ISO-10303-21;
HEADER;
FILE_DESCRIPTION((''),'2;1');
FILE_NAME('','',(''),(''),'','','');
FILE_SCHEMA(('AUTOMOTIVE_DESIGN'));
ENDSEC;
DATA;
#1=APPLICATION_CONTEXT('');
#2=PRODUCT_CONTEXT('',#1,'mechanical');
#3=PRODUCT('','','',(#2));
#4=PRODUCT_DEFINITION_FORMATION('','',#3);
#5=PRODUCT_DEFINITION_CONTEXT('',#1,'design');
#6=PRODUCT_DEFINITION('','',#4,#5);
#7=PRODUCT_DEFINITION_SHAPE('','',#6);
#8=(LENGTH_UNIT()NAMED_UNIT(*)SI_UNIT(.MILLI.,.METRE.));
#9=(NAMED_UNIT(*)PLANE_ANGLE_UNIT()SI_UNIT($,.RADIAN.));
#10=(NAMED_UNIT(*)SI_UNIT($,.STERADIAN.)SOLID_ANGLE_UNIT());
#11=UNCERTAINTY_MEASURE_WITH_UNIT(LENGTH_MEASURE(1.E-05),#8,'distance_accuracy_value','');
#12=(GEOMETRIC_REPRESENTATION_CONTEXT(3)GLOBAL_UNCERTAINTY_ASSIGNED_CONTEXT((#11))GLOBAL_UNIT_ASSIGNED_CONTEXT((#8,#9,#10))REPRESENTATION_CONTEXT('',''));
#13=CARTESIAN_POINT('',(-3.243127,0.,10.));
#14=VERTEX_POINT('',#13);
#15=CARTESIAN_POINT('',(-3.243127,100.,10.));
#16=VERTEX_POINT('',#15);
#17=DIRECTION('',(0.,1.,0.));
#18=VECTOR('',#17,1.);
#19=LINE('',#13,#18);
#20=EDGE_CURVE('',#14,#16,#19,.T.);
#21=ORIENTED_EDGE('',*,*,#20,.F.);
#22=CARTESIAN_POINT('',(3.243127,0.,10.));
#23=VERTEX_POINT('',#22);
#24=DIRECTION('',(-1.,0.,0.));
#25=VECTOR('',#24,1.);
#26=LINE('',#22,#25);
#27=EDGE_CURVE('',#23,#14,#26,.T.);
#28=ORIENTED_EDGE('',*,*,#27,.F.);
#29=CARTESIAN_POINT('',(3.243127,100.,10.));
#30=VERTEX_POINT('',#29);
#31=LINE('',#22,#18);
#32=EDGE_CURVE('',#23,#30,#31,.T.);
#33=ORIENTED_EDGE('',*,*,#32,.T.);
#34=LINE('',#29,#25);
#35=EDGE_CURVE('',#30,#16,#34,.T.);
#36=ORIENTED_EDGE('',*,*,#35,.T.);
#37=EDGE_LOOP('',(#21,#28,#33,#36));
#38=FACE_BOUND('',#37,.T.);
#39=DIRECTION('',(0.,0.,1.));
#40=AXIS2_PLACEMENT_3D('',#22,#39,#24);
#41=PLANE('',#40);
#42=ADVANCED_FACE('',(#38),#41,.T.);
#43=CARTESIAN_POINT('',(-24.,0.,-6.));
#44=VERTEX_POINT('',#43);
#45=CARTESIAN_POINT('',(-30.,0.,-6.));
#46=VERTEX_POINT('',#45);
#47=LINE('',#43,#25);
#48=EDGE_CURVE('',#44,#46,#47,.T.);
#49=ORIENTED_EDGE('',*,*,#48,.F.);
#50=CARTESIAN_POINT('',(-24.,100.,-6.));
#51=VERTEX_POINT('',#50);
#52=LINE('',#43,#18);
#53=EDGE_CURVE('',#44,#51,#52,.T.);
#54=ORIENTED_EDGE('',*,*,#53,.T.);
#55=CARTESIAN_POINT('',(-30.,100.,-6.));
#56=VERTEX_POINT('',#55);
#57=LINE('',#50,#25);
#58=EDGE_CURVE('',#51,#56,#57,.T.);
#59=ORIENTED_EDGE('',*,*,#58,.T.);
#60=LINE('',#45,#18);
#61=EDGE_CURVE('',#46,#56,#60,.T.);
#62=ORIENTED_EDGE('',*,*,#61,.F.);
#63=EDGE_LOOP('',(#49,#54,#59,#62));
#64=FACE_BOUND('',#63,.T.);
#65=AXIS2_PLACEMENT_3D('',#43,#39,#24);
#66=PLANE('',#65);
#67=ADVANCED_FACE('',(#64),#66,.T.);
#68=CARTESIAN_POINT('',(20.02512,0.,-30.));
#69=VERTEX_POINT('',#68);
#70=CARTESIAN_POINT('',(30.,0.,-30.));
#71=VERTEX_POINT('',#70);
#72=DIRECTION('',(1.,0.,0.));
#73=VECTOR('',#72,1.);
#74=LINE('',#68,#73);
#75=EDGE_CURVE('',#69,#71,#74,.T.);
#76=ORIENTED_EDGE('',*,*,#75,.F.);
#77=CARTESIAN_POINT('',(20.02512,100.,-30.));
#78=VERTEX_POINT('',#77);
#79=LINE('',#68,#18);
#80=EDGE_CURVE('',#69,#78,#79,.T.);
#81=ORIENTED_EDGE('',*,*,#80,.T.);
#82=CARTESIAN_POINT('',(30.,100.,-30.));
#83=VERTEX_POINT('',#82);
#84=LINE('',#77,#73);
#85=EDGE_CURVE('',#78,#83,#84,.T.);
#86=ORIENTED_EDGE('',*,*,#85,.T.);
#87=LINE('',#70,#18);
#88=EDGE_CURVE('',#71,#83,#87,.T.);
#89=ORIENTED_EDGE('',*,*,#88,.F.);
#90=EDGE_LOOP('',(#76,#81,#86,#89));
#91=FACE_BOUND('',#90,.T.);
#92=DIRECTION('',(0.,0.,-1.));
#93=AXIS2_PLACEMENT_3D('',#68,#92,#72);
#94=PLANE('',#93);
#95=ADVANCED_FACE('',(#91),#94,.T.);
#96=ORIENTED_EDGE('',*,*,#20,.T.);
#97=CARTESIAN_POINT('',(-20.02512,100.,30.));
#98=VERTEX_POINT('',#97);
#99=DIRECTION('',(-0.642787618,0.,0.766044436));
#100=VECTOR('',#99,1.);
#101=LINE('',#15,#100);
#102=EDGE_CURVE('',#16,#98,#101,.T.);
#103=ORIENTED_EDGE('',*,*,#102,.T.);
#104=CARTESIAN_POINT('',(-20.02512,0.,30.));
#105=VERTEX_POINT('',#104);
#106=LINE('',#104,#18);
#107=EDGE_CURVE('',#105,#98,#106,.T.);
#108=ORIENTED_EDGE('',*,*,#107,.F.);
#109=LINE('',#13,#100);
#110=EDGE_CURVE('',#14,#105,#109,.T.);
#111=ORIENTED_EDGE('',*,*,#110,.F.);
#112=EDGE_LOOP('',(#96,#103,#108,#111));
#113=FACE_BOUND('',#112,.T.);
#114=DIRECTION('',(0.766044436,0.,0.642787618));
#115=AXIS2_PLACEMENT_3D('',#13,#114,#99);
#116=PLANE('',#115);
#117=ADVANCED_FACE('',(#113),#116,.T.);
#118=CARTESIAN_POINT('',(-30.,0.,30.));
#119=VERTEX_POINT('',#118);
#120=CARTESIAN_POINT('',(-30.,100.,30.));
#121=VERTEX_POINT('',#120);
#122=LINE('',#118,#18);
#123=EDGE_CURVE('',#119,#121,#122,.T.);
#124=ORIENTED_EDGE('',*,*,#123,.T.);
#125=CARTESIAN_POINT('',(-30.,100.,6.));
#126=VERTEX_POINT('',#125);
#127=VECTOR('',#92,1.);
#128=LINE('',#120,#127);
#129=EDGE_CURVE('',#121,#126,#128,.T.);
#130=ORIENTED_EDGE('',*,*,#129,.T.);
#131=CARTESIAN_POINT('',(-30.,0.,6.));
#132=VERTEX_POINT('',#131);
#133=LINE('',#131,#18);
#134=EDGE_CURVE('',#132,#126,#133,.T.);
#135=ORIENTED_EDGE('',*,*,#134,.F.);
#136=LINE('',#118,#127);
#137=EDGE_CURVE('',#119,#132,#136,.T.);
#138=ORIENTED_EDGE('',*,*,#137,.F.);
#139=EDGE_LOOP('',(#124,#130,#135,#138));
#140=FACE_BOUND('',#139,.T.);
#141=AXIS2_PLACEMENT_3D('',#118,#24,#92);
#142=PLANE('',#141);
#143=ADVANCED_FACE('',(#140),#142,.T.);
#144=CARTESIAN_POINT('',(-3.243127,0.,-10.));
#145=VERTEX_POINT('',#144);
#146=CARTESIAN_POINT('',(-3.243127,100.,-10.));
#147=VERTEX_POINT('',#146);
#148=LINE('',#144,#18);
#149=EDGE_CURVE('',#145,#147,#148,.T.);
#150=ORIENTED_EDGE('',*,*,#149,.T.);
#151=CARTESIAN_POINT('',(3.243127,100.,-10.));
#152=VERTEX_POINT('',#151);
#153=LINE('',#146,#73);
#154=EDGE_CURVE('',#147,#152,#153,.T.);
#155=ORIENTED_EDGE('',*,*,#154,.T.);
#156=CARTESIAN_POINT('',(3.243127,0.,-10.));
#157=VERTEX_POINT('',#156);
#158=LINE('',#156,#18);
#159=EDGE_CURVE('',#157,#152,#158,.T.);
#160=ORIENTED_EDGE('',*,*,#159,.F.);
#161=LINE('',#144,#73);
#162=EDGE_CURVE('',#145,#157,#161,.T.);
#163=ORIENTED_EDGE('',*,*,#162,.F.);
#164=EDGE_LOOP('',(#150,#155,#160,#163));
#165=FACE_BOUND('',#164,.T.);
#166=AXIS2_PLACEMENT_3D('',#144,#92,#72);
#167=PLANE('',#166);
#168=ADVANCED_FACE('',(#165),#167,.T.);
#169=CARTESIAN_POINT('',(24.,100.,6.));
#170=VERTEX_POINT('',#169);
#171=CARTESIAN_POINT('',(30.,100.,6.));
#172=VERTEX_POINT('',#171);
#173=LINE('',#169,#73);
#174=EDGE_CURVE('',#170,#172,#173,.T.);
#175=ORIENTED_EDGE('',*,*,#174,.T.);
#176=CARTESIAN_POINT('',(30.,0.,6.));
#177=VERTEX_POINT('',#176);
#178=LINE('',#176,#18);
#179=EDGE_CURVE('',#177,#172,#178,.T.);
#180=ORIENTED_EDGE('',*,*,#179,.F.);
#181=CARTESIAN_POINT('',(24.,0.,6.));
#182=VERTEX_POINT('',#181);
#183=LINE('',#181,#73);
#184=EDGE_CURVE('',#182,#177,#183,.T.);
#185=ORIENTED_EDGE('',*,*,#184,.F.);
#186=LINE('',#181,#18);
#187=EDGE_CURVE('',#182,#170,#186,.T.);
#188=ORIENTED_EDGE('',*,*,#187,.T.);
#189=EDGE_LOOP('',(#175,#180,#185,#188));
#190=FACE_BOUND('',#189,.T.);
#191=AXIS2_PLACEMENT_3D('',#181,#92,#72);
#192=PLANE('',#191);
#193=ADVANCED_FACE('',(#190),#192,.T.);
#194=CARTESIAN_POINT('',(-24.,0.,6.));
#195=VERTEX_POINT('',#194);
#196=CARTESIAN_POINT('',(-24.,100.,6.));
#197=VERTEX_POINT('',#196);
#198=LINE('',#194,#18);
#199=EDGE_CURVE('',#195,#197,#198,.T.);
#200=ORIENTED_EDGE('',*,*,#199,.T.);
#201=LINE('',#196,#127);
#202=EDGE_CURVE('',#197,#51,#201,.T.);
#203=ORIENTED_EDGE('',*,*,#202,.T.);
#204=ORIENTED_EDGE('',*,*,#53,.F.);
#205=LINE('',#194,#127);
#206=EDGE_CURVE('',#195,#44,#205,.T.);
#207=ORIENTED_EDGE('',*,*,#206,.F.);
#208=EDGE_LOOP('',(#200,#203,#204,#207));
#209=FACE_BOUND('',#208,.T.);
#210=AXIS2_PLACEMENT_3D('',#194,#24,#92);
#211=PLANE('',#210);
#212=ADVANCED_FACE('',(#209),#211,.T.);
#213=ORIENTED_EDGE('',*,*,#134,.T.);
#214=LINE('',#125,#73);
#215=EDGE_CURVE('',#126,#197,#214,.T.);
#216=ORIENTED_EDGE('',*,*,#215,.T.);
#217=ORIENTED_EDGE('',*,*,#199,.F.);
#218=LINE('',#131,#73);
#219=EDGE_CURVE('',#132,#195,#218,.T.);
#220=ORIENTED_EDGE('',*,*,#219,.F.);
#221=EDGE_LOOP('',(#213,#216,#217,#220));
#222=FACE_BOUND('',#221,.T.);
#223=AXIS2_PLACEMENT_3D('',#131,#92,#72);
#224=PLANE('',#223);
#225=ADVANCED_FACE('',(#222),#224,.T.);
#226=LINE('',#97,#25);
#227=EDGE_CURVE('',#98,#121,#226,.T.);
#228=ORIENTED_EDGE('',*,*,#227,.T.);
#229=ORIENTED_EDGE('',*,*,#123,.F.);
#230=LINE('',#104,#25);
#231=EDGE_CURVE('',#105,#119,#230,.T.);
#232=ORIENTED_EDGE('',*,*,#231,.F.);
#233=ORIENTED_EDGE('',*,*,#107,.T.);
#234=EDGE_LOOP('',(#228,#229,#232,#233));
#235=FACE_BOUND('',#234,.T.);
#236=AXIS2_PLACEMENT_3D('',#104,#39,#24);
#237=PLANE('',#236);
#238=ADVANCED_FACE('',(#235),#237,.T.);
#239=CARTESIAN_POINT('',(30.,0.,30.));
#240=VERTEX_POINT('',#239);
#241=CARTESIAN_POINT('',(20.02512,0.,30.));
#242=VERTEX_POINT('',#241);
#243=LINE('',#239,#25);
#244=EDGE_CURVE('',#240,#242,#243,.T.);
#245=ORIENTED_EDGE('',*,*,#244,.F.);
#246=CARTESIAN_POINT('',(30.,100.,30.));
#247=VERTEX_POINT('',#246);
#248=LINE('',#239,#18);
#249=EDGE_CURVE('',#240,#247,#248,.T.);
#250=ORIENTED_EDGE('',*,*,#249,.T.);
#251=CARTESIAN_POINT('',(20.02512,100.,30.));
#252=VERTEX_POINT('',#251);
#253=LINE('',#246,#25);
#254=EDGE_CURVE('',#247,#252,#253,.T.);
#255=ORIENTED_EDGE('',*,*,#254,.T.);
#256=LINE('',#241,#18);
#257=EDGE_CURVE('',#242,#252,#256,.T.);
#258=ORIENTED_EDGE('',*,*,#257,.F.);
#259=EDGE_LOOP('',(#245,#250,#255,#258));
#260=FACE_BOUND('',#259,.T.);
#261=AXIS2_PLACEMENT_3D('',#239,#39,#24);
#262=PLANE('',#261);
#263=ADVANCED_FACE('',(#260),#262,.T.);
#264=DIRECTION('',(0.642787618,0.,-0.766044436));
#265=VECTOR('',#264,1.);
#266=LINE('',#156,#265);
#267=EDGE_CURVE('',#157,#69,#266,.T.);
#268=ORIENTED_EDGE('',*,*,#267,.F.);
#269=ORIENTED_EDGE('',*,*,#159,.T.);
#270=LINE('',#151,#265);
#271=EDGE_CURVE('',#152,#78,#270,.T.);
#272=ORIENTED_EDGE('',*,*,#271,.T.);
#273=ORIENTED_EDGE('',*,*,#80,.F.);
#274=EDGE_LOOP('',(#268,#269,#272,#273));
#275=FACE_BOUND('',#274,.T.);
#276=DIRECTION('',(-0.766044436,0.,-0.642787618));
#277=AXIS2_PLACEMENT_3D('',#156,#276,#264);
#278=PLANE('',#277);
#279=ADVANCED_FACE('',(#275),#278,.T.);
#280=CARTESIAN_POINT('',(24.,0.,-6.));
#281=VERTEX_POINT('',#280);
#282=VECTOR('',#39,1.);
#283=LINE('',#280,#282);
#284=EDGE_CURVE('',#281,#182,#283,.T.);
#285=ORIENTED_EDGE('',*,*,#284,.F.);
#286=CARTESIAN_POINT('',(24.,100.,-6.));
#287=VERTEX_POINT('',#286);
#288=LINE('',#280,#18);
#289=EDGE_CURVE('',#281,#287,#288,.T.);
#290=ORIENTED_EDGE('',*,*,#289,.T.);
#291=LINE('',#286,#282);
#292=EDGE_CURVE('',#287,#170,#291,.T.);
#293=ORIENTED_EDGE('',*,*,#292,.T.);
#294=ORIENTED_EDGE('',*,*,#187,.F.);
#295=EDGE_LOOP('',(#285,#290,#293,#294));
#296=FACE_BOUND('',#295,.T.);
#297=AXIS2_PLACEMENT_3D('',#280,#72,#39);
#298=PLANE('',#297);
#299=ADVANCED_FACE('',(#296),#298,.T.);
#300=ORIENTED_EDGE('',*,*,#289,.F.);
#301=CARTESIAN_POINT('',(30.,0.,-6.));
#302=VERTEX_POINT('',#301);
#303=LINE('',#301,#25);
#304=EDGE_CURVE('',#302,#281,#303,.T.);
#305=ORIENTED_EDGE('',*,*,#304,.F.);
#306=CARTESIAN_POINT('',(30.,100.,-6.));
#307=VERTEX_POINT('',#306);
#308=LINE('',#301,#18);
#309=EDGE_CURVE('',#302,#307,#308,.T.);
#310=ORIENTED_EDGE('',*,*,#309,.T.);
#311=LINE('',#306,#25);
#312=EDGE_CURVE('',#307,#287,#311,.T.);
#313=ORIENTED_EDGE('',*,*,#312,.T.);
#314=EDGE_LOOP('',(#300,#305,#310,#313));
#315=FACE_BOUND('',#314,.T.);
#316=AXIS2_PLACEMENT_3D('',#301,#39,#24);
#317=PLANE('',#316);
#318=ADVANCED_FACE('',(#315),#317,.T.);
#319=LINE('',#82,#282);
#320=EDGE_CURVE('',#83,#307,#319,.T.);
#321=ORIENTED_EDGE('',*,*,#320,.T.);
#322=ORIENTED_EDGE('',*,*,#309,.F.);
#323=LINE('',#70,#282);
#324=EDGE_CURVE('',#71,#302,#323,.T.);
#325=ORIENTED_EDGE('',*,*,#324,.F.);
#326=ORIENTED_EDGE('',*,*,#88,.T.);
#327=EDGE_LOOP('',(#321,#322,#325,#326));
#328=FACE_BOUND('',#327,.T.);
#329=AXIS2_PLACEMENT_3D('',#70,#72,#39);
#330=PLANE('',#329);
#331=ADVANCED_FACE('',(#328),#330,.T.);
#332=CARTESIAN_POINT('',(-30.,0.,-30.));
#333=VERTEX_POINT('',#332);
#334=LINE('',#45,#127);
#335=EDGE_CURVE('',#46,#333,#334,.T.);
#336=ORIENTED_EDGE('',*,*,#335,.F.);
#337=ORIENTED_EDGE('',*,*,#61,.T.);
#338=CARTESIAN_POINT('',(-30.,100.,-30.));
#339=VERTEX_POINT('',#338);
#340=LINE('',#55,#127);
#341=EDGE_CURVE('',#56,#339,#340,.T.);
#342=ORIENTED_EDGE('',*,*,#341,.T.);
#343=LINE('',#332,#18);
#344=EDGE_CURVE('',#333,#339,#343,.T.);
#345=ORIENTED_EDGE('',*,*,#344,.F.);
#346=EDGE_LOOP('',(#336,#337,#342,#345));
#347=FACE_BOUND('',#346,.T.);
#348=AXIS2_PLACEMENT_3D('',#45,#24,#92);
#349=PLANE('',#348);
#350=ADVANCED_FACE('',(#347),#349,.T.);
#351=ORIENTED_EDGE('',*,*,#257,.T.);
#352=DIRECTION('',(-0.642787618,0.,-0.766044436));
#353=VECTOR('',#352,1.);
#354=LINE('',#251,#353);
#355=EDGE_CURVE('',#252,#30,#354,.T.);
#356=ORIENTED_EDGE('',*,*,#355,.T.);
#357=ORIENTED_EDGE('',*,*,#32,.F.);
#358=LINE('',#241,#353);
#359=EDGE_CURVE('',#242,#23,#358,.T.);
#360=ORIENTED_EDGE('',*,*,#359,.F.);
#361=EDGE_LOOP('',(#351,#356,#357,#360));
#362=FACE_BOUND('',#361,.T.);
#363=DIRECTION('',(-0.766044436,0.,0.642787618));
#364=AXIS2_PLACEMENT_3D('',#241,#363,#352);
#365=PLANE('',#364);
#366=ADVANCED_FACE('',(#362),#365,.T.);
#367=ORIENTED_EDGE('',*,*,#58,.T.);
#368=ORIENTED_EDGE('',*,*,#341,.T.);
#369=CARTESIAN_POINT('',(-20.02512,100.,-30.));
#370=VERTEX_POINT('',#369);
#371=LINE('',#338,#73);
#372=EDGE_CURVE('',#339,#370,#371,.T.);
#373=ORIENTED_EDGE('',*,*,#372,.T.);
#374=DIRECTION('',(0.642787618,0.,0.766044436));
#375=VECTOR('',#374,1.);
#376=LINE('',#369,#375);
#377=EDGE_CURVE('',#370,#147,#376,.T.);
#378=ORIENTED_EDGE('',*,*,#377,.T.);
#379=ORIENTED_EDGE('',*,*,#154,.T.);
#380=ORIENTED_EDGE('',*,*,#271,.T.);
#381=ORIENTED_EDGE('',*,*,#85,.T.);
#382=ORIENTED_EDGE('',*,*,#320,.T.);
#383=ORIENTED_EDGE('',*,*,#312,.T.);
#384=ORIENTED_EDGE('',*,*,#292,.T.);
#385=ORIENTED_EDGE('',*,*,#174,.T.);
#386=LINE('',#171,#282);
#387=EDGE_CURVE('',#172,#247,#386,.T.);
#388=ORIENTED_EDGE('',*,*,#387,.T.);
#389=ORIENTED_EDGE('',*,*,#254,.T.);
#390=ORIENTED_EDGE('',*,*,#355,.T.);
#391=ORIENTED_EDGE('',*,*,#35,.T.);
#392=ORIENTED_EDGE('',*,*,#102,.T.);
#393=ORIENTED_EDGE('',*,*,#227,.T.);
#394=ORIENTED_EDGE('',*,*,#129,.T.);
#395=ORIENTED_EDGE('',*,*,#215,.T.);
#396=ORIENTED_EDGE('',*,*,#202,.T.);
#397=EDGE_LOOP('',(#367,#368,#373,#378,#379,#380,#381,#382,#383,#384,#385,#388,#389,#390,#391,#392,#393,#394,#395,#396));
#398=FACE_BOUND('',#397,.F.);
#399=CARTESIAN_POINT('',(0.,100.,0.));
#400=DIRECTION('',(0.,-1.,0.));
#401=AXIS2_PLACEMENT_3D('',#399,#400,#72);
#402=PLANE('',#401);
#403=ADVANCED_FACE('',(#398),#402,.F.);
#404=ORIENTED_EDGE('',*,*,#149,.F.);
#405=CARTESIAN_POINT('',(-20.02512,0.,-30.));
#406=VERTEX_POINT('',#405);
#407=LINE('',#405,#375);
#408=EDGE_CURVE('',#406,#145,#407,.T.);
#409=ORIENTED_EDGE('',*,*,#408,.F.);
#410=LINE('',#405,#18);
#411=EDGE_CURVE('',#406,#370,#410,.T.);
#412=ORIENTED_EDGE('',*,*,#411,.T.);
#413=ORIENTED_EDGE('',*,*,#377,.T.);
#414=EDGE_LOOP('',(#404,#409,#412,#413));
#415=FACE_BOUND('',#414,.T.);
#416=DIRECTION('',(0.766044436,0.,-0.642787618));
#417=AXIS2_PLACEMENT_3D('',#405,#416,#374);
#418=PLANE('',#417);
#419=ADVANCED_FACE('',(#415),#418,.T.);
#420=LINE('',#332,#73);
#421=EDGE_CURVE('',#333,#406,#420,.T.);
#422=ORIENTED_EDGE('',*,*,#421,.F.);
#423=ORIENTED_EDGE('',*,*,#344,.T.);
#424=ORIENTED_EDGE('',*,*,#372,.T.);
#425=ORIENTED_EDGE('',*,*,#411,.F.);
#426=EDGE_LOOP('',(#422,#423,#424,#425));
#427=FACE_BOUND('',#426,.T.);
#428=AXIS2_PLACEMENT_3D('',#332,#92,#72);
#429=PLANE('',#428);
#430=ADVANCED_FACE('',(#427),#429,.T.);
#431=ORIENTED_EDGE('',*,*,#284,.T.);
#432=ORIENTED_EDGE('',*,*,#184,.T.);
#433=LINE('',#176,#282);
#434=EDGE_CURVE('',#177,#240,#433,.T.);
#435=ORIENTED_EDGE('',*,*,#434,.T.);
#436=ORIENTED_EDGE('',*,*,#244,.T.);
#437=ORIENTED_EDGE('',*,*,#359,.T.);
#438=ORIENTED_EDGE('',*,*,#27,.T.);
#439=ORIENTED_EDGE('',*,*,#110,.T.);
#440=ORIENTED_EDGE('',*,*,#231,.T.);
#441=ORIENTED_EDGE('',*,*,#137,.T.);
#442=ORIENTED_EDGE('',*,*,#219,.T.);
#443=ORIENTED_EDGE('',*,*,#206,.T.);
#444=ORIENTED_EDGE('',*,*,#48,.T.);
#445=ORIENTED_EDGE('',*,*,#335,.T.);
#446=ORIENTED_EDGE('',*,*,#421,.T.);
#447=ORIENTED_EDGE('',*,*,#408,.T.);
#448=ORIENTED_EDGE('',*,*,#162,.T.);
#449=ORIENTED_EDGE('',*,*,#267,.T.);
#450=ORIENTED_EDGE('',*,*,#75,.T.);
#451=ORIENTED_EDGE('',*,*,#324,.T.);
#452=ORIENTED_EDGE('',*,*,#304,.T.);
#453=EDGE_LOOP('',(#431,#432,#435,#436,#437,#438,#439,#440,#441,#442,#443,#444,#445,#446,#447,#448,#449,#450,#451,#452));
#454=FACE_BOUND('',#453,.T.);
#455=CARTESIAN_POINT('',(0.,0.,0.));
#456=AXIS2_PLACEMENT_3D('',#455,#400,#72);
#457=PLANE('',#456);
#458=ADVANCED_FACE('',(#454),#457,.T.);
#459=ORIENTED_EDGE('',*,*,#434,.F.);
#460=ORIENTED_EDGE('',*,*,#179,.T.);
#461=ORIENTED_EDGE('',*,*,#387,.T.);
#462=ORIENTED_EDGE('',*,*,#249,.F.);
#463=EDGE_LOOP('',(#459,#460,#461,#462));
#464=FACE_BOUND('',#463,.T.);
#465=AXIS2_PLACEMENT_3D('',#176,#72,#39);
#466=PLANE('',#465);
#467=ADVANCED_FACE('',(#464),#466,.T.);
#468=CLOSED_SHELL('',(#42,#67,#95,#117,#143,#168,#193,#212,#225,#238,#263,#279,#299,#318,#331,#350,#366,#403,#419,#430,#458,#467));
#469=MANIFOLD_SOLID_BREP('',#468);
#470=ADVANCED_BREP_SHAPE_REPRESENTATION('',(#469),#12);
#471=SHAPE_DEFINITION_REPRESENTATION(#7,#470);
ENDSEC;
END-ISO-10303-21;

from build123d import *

# Parameters (mm, degrees)
F1_DEPTH = 100


with BuildPart() as f1:
    # F0 (on Front) → F1 (new body)
    with BuildSketch(Plane.XZ):
        Polygon((-20.02512, 30), (-30, 30), (-30, 6), (-24, 6), (-24, -6), (-30, -6), (-30, -30), (-20.02512, -30), (-3.243127, -10), (0, -10), (3.243127, -10), (20.02512, -30), (30, -30), (30, -6), (24, -6), (24, 6), (30, 6), (30, 30), (20.02512, 30), (3.243127, 10), (0, 10), (-3.243127, 10), align=None)
    extrude(amount=-F1_DEPTH)


solid = f1.part
